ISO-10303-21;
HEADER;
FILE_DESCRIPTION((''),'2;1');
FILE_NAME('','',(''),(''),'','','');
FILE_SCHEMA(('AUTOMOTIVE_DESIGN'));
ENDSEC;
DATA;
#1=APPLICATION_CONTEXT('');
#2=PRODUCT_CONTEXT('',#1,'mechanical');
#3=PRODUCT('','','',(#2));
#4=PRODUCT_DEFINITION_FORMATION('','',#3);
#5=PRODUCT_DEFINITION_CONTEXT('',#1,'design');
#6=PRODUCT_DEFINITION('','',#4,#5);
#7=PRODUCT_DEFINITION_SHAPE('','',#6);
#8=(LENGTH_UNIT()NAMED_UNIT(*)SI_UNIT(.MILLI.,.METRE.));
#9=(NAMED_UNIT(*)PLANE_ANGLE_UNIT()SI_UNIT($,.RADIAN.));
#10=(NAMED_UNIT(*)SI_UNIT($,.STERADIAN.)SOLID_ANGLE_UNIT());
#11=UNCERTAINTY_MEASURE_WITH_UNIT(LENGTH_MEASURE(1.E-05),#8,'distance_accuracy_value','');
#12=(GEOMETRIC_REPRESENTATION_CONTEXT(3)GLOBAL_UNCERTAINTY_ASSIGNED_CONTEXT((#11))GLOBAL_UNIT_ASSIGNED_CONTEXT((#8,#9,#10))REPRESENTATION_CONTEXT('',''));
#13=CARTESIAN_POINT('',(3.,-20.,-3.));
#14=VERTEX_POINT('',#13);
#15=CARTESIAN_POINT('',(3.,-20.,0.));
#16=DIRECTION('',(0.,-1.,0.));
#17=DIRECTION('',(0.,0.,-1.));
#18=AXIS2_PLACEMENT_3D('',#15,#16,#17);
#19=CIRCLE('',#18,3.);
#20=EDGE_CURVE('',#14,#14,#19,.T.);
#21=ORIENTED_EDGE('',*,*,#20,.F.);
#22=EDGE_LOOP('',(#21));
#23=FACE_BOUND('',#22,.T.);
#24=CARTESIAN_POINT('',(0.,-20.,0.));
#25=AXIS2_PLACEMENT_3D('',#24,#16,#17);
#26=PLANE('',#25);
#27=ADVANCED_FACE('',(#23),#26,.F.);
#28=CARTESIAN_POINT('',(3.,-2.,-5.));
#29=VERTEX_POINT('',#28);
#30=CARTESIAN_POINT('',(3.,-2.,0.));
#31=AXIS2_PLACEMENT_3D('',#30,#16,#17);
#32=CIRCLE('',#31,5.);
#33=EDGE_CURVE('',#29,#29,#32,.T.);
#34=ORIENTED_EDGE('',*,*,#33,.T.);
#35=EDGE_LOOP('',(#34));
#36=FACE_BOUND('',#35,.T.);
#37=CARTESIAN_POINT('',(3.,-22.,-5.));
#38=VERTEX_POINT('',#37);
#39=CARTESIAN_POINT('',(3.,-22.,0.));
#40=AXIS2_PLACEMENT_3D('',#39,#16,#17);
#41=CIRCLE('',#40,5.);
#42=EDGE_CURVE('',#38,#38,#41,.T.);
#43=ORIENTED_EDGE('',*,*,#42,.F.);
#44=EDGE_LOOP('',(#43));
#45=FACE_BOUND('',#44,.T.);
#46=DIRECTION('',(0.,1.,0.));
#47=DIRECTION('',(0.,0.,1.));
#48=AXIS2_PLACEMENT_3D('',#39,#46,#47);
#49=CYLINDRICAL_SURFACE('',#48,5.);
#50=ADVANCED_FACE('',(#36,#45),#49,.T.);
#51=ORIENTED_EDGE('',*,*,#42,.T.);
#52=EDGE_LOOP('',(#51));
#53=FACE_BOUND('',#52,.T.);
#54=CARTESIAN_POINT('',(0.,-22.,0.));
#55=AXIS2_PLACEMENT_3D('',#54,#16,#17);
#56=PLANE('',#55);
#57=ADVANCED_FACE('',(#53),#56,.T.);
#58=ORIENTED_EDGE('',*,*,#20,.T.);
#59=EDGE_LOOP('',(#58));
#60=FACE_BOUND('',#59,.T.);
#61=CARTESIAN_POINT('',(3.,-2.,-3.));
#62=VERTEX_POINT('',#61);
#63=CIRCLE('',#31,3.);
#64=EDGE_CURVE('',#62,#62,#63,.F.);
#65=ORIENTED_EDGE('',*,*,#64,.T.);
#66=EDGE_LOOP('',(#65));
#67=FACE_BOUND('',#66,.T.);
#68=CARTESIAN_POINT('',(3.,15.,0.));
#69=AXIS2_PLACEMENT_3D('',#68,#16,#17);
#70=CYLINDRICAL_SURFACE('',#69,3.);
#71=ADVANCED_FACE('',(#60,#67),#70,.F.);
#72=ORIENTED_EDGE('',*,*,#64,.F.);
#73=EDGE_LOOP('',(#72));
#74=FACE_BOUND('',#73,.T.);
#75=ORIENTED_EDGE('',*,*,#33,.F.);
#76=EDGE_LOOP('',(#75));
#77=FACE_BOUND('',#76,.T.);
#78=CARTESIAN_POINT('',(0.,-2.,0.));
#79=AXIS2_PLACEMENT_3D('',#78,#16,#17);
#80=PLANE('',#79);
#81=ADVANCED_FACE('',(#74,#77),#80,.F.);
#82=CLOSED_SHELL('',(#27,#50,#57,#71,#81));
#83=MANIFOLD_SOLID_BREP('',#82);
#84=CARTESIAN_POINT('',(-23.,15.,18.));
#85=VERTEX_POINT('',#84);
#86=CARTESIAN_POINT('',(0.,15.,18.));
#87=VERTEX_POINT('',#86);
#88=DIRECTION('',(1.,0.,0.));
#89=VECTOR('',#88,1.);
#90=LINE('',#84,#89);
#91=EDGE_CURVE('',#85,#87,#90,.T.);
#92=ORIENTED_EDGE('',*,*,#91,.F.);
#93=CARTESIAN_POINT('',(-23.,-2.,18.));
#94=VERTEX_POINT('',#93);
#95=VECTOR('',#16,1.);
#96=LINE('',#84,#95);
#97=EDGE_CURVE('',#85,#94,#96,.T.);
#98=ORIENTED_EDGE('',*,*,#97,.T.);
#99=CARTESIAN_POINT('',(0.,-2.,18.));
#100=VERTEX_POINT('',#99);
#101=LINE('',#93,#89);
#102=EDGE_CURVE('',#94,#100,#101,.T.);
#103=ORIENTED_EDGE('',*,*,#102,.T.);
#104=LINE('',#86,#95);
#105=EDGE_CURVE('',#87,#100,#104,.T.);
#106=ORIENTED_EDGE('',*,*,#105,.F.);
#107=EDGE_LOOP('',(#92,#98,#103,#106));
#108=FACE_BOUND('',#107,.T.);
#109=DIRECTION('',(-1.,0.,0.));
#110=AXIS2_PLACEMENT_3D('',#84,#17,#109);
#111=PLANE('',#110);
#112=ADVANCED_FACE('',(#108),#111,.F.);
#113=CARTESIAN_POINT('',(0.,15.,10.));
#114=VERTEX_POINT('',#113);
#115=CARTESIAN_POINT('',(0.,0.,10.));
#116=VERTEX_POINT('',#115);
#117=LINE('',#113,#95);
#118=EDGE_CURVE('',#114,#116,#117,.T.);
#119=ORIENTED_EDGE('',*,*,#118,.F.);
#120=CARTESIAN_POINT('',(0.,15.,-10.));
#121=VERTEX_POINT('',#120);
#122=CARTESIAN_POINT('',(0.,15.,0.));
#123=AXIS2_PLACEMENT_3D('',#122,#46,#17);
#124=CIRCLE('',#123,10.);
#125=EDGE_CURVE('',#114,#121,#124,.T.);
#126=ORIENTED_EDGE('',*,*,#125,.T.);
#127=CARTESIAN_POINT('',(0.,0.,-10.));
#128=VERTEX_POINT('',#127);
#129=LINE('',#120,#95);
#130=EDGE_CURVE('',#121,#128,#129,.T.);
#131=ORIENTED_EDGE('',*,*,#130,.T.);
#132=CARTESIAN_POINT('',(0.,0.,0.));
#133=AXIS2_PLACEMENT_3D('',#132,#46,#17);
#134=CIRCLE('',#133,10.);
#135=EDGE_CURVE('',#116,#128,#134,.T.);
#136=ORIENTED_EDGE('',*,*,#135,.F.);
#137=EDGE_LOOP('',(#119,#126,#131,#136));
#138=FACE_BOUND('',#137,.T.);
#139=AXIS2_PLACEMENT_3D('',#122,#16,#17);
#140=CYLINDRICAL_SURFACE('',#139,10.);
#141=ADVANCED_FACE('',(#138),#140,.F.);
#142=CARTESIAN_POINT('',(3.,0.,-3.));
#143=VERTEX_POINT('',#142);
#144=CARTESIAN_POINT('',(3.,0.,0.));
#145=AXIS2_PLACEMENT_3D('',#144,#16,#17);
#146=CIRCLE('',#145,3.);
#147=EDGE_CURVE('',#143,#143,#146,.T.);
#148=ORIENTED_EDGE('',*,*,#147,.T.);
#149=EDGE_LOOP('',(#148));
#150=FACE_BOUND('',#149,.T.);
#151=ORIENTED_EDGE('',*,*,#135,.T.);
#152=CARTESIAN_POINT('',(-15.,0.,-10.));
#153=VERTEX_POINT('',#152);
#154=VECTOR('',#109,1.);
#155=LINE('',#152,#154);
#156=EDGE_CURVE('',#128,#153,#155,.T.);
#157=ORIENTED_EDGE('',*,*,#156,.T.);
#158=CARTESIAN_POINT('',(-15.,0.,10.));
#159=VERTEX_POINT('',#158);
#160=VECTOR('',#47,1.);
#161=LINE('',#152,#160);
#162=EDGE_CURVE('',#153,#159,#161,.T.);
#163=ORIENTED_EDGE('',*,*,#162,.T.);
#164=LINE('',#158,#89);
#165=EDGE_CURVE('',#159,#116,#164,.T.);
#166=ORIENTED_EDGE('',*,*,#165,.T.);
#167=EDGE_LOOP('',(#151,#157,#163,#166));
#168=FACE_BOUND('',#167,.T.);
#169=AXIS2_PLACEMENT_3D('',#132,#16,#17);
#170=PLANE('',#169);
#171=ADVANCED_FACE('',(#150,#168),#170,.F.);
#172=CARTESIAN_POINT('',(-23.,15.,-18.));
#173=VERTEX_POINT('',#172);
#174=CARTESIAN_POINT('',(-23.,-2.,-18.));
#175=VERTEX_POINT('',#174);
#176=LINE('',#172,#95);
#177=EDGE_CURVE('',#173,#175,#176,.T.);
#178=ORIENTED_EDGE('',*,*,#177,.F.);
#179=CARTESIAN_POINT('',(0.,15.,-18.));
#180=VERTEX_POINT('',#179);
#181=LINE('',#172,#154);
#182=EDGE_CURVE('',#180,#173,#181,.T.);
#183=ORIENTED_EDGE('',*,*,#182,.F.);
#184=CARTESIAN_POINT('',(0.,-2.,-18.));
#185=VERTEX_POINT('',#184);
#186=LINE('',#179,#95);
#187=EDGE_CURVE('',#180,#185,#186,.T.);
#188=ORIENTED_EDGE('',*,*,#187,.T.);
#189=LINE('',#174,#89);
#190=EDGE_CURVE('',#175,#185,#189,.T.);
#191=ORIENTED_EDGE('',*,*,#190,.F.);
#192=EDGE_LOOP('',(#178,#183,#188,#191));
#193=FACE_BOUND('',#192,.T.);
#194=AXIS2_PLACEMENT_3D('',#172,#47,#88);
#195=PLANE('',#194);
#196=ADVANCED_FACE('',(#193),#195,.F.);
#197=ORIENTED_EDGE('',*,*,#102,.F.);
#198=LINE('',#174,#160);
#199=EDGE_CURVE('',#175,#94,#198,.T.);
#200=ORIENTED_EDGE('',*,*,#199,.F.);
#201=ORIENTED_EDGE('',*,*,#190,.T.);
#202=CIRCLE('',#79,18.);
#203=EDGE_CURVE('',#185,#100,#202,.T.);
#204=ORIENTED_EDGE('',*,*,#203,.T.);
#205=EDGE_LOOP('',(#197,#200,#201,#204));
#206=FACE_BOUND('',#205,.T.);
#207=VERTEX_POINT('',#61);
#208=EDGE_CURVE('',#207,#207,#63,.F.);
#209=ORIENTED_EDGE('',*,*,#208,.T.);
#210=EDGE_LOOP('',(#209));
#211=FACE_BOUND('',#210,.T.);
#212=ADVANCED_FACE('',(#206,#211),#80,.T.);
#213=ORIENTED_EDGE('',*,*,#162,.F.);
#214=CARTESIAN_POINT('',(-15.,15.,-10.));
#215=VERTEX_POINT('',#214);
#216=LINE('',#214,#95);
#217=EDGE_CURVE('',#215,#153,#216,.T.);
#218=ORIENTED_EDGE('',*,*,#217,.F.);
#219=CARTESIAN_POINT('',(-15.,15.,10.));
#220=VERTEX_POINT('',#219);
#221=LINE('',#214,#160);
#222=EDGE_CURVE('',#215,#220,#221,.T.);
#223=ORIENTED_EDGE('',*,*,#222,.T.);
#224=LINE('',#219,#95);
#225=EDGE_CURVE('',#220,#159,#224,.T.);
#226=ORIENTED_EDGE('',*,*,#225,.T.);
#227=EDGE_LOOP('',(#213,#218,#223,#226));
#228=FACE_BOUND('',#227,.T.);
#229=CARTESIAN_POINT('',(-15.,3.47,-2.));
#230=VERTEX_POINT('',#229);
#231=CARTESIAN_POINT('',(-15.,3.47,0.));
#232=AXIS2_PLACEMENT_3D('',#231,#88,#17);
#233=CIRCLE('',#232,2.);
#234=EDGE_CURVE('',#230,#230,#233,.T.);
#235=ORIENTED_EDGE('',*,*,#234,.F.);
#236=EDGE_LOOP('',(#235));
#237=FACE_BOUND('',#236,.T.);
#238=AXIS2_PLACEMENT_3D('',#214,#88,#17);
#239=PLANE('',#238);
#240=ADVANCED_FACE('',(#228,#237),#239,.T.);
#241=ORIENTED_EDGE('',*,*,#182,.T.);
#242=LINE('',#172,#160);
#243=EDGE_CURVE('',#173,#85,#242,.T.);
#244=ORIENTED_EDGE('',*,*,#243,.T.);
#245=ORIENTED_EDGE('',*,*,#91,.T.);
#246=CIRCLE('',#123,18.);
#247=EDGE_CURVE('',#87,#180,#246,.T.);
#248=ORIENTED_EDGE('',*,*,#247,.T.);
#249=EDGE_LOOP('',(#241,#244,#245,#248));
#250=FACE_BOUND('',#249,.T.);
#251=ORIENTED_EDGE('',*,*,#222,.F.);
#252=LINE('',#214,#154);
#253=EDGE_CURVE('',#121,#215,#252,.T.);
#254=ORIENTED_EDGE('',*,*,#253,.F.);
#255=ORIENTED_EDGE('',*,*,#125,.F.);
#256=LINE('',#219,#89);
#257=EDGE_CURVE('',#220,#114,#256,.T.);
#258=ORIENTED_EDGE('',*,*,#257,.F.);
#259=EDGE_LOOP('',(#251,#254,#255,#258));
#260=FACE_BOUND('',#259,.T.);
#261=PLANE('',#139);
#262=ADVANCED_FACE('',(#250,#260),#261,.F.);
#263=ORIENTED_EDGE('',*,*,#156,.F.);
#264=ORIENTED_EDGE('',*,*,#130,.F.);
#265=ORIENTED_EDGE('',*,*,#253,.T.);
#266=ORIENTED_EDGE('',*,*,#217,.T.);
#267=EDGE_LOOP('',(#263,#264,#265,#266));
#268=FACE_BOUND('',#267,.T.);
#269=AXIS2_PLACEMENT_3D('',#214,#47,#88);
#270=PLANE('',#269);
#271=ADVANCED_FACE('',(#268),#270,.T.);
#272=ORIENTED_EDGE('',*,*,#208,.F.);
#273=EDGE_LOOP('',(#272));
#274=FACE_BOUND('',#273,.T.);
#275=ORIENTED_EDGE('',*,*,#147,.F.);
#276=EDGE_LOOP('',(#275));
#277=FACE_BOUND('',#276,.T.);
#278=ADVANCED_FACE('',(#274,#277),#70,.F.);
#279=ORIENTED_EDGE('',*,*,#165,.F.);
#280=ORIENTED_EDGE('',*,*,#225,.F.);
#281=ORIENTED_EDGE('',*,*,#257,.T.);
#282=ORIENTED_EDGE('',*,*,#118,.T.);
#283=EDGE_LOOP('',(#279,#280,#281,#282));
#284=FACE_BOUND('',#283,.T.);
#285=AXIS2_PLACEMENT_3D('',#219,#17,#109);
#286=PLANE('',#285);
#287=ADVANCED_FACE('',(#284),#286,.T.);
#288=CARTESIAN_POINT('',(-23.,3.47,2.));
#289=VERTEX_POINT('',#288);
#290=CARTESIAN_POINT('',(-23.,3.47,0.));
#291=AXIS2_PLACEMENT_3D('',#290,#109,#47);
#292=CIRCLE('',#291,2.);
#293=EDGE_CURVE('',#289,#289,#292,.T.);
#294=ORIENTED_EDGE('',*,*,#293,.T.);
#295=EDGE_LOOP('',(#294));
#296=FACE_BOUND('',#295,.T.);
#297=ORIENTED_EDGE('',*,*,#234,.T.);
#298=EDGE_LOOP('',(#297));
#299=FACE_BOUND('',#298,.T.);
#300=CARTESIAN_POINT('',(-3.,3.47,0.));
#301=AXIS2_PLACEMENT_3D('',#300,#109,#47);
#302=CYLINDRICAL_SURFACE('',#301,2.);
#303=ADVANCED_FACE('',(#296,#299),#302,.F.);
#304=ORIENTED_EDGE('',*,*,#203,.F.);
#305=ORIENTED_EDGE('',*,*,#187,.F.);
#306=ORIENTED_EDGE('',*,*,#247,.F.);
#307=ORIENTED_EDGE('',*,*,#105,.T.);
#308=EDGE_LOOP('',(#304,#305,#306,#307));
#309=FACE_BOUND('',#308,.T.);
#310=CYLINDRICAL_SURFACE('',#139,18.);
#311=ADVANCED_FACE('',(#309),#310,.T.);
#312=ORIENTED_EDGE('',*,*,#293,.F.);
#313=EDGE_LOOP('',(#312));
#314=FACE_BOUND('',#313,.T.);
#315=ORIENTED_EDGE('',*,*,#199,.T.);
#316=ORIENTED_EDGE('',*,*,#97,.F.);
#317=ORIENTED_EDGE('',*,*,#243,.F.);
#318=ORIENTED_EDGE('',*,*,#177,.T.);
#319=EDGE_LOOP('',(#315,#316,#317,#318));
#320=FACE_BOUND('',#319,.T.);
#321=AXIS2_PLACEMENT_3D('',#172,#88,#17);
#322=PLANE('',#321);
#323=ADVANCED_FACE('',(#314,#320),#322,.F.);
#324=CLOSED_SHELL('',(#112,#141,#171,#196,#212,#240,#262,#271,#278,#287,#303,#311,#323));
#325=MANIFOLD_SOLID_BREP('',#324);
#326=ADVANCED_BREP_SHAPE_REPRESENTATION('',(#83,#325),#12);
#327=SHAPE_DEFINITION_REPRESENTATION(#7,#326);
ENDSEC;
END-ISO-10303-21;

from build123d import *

# Parameters (mm, degrees)
BOSS_EXTRUDE1_DEPTH     = 15
BOSS_EXTRUDE2_DEPTH     = 2
SKETCH2_R               = 5
SKETCH2_R_2             = 3
BOSS_EXTRUDE3_DEPTH     = 20
SKETCH2_3_R             = 3
CUT_EXTRUDE1_DEPTH      = 18
CUT_EXTRUDE1_DEPTH_BACK = 36.397740041
SKETCH3_R               = 2
CUT_EXTRUDE2_DEPTH      = 20


with BuildPart() as part:
    # Sketch1 → Boss-Extrude1 (new body)
    with BuildSketch(Plane(origin=(0, 0, 0), x_dir=(1, 0, 0), z_dir=(0, 1, 0))):
        with BuildLine():
            Line((-23, 18), (0, 18))
            ThreePointArc((0, 18), (18, 0), (0, -18))
            Line((0, -18), (-23, -18))
            Line((-23, -18), (-23, 18))
        make_face()
        with BuildLine():
            Line((-15, 10), (0, 10))
            ThreePointArc((0, 10), (10, 0), (0, -10))
            Line((0, -10), (-15, -10))
            Line((-15, -10), (-15, 10))
        make_face(mode=Mode.SUBTRACT)
    extrude(amount=BOSS_EXTRUDE1_DEPTH)

    # Sketch1<2> → Boss-Extrude2 (add)
    with BuildSketch(Plane(origin=(0, 0, 0), x_dir=(1, 0, 0), z_dir=(0, 1, 0))):
        with BuildLine():
            Line((-23, 18), (0, 18))
            ThreePointArc((0, 18), (18, 0), (0, -18))
            Line((0, -18), (-23, -18))
            Line((-23, -18), (-23, 18))
        make_face()
    extrude(amount=-BOSS_EXTRUDE2_DEPTH)

    # Sketch2 → Boss-Extrude3 (add)
    with BuildSketch(Plane(origin=(0, -2, 0), x_dir=(-1, 0, 0), z_dir=(0, -1, 0))):
        with Locations(Location((-3, 0, 0), (0, 0, 90))):
            Circle(SKETCH2_R)
        with Locations((-3, 0)):
            Circle(SKETCH2_R_2, mode=Mode.SUBTRACT)
        with Locations((-3, 0)):
            Circle(SKETCH2_R_2)
    extrude(amount=BOSS_EXTRUDE3_DEPTH)

    # Sketch2<3> → Cut-Extrude1 (cut, two sides)
    with BuildSketch(Plane(origin=(0, -2, 0), x_dir=(-1, 0, 0), z_dir=(0, -1, 0))) as cut_extrude1_sk:
        with Locations(Location((-3, 0, 0), (0, 0, 90))):
            Circle(SKETCH2_3_R)
    extrude(amount=CUT_EXTRUDE1_DEPTH, mode=Mode.SUBTRACT)
    extrude(cut_extrude1_sk.sketch, amount=-CUT_EXTRUDE1_DEPTH_BACK, mode=Mode.SUBTRACT)

    # Sketch3 → Cut-Extrude2 (cut)
    with BuildSketch(Plane.ZY.offset(23)):
        with Locations((0, 3.47)):
            Circle(SKETCH3_R)
    extrude(amount=-CUT_EXTRUDE2_DEPTH, mode=Mode.SUBTRACT)


with BuildPart() as body_2:
    # Split1: the piece on the far side of the plane
    add(part.part)
    split(bisect_by=Plane(origin=(0, -2, 0), x_dir=(0, 0, -1), z_dir=(0, -1, 0)), keep=Keep.BOTTOM)


with BuildPart() as part_1:
    add(part.part)

    # Split1
    split(bisect_by=Plane(origin=(0, -2, 0), x_dir=(0, 0, -1), z_dir=(0, -1, 0)), keep=Keep.TOP)


solid = Compound([body_2.part, part_1.part])
